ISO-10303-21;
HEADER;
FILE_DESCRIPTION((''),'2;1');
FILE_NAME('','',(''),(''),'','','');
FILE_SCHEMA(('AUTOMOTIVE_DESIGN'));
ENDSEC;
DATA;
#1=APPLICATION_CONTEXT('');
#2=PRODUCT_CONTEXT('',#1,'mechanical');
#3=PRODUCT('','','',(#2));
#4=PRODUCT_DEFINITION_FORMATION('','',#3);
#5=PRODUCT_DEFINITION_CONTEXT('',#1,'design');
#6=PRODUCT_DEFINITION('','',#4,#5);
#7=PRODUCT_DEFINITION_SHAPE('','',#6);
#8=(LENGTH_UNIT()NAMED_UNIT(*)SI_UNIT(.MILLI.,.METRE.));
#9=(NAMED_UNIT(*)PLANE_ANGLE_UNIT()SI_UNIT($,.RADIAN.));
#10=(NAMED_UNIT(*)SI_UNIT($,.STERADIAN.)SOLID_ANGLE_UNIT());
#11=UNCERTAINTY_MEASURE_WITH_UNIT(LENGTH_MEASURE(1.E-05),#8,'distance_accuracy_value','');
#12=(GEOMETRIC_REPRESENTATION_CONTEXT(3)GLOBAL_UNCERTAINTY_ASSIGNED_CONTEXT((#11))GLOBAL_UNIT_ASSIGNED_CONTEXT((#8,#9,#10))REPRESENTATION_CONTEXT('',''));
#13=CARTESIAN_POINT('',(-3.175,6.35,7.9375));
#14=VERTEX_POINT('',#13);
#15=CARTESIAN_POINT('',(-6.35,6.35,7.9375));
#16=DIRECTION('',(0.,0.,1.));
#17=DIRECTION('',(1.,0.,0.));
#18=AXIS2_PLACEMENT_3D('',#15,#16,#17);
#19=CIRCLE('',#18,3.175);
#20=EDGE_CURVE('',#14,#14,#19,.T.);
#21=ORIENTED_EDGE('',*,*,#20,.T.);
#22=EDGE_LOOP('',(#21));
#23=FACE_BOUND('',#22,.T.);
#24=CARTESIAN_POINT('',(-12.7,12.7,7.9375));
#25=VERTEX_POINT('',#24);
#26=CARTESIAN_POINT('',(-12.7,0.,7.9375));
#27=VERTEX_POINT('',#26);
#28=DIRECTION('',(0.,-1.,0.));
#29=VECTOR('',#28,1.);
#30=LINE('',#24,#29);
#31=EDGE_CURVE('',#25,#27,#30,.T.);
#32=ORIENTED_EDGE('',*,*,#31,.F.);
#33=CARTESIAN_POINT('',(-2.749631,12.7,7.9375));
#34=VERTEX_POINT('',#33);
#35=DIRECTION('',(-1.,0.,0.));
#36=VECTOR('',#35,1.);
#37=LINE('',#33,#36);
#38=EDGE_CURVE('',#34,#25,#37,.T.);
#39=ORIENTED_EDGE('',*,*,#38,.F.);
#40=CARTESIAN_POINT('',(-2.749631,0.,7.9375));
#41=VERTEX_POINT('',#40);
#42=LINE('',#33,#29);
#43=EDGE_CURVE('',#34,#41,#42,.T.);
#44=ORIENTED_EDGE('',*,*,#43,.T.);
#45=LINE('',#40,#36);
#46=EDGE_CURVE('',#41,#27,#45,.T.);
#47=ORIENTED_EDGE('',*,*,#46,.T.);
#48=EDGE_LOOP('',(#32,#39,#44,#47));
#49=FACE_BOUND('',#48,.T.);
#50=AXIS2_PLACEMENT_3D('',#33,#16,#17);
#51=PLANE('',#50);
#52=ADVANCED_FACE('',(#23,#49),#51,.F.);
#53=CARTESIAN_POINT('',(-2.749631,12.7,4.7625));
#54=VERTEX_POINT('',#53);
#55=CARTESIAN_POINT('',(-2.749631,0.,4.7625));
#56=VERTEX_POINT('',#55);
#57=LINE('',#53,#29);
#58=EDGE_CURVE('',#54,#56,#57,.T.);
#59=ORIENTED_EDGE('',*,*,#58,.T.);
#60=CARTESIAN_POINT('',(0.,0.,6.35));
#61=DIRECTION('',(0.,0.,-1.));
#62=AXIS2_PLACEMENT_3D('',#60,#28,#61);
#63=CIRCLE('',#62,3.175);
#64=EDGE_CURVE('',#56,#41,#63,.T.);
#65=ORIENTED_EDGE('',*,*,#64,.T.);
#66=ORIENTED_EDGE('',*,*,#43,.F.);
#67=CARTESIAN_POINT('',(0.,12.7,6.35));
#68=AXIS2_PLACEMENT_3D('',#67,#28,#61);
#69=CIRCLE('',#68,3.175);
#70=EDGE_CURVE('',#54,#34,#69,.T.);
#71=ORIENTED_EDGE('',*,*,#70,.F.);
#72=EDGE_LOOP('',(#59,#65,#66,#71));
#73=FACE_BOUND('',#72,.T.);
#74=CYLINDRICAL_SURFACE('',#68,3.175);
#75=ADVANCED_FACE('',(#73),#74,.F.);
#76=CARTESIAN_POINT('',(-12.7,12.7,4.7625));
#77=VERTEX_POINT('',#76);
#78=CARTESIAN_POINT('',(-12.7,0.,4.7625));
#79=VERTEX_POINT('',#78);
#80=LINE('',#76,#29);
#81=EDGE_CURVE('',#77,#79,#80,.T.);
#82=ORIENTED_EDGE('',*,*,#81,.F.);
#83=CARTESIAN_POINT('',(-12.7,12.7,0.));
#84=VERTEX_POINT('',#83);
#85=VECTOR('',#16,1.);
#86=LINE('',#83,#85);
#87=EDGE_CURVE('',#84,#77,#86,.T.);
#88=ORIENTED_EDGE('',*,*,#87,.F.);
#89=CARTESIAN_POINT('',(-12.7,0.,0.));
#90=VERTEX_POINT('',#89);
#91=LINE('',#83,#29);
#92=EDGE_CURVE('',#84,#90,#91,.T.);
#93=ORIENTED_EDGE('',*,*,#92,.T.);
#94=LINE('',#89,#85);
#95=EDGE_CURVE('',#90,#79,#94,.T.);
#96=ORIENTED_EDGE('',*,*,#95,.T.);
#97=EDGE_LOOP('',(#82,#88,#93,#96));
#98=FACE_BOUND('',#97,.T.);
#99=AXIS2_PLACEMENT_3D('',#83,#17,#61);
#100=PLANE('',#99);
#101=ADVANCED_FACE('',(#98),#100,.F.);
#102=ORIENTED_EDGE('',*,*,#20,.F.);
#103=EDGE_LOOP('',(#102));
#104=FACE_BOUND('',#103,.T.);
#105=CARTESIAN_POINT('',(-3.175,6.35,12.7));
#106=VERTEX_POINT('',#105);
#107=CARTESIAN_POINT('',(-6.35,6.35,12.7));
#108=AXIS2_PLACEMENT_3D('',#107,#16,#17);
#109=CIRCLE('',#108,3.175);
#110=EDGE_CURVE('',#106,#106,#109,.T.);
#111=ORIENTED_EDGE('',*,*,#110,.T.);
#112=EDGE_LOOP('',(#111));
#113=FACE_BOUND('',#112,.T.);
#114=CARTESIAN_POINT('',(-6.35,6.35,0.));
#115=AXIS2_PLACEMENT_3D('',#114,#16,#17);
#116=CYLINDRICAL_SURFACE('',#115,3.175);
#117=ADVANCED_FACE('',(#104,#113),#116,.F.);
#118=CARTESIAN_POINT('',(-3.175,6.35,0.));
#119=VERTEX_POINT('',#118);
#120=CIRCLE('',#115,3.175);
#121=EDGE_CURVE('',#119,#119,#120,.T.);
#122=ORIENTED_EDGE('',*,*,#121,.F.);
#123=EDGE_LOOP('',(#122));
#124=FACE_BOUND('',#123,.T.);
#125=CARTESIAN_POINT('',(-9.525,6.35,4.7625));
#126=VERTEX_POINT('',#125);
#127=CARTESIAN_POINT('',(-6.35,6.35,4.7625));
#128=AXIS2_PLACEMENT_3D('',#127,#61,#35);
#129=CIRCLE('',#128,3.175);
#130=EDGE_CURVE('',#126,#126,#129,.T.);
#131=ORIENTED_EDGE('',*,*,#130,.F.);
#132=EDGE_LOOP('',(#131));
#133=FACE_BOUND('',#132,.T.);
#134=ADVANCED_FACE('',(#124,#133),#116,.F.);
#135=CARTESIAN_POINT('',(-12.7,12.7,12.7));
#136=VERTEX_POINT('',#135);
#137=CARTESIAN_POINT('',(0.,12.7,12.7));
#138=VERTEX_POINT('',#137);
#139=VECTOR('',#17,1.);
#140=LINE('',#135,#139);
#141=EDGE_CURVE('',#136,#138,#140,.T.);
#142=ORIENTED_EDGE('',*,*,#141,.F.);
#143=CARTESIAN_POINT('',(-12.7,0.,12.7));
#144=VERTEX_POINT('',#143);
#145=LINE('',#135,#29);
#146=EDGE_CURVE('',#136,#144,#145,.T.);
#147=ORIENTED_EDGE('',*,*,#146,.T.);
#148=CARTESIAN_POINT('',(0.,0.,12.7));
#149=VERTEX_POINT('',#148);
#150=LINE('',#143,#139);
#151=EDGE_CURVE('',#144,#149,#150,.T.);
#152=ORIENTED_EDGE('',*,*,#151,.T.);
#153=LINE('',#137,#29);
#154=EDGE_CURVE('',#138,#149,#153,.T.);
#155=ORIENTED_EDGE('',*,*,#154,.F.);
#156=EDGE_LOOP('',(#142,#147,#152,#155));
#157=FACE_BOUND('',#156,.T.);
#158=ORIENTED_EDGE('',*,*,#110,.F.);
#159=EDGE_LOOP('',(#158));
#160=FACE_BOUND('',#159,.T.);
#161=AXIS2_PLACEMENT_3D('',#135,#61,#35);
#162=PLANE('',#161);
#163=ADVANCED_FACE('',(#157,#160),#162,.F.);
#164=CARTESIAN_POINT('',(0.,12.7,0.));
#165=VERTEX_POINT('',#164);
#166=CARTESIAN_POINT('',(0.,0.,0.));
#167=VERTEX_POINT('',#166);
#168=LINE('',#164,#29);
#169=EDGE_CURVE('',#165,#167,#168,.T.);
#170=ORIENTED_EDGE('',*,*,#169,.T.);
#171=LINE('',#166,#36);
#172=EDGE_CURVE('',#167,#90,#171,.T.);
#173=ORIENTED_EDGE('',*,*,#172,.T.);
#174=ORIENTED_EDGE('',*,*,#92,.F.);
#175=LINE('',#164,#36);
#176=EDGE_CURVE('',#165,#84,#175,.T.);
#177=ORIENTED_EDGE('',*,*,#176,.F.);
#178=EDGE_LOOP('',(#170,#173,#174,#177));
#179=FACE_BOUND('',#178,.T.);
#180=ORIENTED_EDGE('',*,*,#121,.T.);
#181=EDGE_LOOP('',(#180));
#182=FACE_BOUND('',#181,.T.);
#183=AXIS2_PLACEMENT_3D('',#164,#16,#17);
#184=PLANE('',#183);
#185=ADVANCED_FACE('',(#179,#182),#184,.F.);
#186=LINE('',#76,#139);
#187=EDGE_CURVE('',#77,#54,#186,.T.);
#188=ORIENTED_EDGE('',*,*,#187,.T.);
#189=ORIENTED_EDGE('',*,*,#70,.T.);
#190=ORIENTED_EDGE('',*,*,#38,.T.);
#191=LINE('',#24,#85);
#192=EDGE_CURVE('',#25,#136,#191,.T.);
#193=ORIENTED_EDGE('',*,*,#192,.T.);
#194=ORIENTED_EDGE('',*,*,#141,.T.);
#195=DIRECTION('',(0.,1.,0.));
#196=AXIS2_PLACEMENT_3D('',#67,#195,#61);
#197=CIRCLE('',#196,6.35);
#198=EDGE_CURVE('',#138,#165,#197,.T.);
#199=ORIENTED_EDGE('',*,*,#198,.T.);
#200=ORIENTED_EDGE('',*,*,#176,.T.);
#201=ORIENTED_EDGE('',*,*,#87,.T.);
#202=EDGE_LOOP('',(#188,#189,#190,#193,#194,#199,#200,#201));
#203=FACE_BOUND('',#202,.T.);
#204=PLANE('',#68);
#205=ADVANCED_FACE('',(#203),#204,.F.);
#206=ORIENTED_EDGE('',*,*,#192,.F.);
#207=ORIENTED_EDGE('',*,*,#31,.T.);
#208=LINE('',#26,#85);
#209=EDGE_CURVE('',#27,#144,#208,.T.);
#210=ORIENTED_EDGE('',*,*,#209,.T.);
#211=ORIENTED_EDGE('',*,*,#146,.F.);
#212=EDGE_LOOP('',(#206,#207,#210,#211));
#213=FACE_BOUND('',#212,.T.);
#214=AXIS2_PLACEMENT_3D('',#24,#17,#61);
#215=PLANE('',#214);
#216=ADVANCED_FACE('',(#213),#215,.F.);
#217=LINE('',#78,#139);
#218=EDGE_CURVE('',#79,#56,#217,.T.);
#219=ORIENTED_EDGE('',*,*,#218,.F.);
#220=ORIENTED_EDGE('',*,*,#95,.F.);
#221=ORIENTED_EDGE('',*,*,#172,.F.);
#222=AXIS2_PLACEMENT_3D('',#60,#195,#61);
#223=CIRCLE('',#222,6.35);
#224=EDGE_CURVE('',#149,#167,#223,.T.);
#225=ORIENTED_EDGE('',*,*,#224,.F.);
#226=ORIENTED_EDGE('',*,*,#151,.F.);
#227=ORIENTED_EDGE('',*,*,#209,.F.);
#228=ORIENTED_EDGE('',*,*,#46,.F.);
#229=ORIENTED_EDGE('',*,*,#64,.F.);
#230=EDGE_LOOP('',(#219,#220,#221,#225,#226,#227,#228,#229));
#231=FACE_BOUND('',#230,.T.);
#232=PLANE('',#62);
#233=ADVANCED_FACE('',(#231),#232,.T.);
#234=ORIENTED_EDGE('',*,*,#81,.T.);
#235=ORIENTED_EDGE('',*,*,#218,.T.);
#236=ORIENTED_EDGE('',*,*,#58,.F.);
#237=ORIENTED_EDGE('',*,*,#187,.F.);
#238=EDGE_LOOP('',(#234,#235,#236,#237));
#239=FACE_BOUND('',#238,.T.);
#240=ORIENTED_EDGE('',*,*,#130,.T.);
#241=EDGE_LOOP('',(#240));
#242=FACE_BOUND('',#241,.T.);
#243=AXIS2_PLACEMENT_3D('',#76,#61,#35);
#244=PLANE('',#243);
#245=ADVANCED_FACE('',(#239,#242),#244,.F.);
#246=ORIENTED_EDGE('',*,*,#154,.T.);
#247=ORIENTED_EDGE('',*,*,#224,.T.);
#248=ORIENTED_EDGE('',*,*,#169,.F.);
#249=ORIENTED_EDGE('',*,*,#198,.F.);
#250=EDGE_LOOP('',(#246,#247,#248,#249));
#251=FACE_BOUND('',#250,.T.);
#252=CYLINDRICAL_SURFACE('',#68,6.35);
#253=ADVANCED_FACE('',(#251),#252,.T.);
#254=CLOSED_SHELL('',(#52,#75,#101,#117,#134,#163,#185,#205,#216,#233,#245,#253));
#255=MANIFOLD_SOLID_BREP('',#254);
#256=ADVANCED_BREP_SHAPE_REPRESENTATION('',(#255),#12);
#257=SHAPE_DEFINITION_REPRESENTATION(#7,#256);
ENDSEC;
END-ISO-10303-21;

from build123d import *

# Parameters (mm, degrees)
BOSS_EXTRUDE1_DEPTH = 12.7
SKETCH2_R           = 3.175
CUT_EXTRUDE1_DEPTH  = 13.7


with BuildPart() as part:
    # Sketch1 → Boss-Extrude1 (new body)
    with BuildSketch(Plane(origin=(0, 0, 0), x_dir=(1, 0, 0), z_dir=(0, 1, 0))):
        with BuildLine():
            Line((0, 0), (-12.7, 0))
            Line((-12.7, 0), (-12.7, -4.7625))
            Line((-12.7, -4.7625), (-2.749630657, -4.7625))
            ThreePointArc((-2.749630657, -4.7625), (3.175, -6.35), (-2.749630657, -7.9375))
            Line((-2.749630657, -7.9375), (-12.7, -7.9375))
            Line((-12.7, -7.9375), (-12.7, -12.7))
            Line((-12.7, -12.7), (0, -12.7))
            ThreePointArc((0, -12.7), (6.35, -6.35), (0, 0))
        make_face()
    extrude(amount=BOSS_EXTRUDE1_DEPTH)

    # Sketch2 → Cut-Extrude1 (cut, through all)
    with BuildSketch(Plane.XY.offset(12.7)):
        with Locations((-6.35, 6.35)):
            Circle(SKETCH2_R)
    extrude(amount=-CUT_EXTRUDE1_DEPTH, mode=Mode.SUBTRACT)


solid = part.part
